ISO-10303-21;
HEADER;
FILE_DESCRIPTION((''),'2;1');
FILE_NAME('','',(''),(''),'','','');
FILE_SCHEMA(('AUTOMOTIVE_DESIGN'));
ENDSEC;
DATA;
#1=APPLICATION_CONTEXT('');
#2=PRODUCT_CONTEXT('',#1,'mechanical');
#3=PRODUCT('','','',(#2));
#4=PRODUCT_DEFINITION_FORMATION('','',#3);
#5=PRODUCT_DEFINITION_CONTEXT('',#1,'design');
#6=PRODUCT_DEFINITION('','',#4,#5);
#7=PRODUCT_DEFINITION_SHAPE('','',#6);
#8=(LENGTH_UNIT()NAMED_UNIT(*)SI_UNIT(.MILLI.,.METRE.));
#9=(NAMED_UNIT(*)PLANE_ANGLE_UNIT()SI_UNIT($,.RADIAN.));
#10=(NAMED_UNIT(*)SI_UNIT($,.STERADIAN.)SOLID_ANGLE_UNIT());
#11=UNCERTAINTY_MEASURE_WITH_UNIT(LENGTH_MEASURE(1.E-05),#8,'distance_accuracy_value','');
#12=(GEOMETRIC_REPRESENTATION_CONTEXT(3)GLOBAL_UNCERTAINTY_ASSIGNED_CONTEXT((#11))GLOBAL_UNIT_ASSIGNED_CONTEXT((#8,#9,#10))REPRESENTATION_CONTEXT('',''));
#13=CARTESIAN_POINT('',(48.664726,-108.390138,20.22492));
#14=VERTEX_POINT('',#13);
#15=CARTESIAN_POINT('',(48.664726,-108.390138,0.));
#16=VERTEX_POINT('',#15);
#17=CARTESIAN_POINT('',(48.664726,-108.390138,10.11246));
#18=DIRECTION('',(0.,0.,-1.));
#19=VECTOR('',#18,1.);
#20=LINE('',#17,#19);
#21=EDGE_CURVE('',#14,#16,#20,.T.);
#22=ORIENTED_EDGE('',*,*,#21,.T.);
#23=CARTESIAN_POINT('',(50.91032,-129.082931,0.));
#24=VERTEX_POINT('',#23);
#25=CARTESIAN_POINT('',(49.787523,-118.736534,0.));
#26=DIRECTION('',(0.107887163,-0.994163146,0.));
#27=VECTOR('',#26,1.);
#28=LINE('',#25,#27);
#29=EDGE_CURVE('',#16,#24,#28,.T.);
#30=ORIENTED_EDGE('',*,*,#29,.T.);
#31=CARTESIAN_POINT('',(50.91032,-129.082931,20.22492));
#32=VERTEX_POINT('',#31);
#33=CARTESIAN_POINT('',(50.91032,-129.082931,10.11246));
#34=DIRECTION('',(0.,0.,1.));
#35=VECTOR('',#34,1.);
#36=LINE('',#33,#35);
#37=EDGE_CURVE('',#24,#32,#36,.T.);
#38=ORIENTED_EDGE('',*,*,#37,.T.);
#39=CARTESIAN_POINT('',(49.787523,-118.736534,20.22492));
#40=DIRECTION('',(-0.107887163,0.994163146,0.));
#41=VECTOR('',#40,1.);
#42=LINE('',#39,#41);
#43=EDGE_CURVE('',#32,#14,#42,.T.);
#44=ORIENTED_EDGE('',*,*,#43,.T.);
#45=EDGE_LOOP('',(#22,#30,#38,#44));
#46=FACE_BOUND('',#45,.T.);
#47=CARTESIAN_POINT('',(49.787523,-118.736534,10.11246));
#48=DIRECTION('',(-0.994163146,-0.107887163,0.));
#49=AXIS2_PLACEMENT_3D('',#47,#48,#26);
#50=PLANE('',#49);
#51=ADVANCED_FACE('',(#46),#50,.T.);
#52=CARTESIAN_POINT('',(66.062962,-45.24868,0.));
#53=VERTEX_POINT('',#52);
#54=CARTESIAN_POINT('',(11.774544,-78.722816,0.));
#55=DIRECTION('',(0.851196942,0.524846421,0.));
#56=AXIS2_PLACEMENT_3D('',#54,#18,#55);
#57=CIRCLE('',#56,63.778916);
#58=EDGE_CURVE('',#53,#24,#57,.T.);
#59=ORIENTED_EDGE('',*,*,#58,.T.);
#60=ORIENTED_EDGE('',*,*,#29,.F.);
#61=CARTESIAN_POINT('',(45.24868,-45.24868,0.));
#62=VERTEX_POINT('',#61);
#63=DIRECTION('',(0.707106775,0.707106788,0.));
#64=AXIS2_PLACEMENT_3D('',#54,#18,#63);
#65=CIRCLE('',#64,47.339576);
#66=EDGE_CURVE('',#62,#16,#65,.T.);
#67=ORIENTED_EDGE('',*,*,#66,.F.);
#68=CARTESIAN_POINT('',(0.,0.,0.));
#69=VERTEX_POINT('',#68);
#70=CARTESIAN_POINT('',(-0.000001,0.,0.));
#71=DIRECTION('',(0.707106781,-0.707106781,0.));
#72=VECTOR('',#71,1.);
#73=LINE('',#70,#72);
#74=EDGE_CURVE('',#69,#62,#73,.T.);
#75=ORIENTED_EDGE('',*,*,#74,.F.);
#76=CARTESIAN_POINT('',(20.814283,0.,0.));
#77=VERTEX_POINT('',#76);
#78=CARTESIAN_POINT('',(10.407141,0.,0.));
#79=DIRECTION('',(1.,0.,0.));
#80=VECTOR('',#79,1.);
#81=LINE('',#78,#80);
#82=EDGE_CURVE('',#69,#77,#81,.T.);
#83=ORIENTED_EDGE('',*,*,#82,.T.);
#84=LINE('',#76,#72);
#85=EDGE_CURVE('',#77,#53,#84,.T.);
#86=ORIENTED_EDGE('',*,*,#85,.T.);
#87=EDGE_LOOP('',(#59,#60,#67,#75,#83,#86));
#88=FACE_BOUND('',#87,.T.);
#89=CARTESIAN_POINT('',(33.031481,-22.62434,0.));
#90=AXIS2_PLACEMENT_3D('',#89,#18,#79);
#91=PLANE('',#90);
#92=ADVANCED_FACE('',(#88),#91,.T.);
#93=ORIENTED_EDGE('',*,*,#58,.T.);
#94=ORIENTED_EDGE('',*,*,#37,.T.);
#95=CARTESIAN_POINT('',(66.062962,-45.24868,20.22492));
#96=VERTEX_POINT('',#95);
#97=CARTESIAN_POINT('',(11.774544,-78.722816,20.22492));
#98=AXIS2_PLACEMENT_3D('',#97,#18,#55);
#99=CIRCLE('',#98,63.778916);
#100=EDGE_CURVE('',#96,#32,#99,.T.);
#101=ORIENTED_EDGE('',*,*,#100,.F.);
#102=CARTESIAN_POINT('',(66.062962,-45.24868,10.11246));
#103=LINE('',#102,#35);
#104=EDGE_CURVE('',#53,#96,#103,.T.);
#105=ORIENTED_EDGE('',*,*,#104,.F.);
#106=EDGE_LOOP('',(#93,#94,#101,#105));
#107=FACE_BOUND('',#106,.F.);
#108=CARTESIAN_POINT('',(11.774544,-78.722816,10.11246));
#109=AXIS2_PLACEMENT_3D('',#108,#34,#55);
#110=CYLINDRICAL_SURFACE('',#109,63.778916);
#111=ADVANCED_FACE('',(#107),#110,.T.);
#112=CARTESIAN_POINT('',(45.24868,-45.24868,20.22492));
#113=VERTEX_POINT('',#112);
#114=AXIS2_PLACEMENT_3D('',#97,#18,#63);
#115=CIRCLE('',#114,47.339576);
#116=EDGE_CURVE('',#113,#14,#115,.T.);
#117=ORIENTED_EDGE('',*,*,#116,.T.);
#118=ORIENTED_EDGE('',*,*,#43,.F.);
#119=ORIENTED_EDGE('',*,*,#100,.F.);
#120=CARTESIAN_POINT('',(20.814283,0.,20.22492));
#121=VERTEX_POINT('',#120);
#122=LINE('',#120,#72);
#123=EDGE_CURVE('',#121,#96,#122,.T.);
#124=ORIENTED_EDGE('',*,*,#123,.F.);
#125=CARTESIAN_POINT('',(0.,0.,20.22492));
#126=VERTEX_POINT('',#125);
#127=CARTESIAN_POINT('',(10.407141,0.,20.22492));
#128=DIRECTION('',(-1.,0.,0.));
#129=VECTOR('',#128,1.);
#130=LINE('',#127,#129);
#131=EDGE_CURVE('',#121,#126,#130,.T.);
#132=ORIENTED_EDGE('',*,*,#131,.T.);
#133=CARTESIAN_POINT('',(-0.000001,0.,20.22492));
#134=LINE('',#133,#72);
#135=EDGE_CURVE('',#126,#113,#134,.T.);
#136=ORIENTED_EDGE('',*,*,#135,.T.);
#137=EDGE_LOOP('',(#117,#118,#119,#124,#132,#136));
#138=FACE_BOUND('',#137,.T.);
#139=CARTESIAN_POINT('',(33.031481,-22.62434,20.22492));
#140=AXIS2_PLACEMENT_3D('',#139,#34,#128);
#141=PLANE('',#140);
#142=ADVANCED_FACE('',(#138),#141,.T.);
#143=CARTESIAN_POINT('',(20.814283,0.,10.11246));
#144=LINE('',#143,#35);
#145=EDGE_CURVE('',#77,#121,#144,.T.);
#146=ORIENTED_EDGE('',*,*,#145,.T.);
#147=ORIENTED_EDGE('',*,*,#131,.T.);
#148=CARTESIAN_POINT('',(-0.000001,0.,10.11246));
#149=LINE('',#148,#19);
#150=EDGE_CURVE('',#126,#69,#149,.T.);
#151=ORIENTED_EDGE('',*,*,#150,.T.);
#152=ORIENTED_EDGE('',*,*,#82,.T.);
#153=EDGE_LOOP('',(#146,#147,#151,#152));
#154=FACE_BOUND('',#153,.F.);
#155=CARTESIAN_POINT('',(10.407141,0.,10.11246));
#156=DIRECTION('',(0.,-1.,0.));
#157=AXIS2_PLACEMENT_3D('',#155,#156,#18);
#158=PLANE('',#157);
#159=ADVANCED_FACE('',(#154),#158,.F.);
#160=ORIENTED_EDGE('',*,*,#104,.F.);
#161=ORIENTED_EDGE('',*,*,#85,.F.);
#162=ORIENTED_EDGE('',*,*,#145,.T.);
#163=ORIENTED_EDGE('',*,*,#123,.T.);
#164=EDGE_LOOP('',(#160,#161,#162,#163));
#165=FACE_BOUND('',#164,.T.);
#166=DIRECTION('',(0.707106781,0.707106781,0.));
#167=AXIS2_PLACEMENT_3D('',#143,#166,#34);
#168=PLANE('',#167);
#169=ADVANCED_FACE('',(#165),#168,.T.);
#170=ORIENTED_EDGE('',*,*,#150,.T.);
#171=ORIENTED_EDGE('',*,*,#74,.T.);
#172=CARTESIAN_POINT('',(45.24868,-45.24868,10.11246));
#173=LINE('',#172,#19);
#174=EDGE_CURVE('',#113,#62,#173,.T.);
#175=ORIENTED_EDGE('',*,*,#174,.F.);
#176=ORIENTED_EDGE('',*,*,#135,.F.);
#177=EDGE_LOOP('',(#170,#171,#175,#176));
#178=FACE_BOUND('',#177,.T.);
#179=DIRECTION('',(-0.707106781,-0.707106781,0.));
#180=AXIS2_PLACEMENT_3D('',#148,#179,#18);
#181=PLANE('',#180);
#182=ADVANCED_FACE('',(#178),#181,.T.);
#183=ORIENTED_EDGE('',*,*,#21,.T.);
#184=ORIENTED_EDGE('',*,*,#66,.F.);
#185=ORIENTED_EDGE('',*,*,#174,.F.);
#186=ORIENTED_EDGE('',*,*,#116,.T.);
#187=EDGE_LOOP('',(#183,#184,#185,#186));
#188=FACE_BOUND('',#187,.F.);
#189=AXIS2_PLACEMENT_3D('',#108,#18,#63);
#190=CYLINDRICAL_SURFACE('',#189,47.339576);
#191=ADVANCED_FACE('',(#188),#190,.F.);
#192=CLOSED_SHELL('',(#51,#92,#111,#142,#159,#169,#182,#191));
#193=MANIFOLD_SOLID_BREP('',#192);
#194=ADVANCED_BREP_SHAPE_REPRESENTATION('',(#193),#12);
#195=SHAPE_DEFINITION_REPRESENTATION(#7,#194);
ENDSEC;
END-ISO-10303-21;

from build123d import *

# Parameters (mm, degrees)
F0_W = 20.814283
F0_H = 20.22492


with BuildPart() as f3:
    # F3: sweep along a path in F1
    with BuildLine(Plane.XY) as f3_path:
        Line((0, 0), (45.24868, -45.24868))
        ThreePointArc((45.24868, -45.24868), (59.044992, -76.165415), (48.664726, -108.390138))
    # F0 (on Front) → F3 (sweep)
    with BuildSketch(Plane.XZ):
        with Locations((10.407141, 10.11246)):
            Rectangle(F0_W, F0_H)
    sweep(path=f3_path.line)


solid = f3.part
